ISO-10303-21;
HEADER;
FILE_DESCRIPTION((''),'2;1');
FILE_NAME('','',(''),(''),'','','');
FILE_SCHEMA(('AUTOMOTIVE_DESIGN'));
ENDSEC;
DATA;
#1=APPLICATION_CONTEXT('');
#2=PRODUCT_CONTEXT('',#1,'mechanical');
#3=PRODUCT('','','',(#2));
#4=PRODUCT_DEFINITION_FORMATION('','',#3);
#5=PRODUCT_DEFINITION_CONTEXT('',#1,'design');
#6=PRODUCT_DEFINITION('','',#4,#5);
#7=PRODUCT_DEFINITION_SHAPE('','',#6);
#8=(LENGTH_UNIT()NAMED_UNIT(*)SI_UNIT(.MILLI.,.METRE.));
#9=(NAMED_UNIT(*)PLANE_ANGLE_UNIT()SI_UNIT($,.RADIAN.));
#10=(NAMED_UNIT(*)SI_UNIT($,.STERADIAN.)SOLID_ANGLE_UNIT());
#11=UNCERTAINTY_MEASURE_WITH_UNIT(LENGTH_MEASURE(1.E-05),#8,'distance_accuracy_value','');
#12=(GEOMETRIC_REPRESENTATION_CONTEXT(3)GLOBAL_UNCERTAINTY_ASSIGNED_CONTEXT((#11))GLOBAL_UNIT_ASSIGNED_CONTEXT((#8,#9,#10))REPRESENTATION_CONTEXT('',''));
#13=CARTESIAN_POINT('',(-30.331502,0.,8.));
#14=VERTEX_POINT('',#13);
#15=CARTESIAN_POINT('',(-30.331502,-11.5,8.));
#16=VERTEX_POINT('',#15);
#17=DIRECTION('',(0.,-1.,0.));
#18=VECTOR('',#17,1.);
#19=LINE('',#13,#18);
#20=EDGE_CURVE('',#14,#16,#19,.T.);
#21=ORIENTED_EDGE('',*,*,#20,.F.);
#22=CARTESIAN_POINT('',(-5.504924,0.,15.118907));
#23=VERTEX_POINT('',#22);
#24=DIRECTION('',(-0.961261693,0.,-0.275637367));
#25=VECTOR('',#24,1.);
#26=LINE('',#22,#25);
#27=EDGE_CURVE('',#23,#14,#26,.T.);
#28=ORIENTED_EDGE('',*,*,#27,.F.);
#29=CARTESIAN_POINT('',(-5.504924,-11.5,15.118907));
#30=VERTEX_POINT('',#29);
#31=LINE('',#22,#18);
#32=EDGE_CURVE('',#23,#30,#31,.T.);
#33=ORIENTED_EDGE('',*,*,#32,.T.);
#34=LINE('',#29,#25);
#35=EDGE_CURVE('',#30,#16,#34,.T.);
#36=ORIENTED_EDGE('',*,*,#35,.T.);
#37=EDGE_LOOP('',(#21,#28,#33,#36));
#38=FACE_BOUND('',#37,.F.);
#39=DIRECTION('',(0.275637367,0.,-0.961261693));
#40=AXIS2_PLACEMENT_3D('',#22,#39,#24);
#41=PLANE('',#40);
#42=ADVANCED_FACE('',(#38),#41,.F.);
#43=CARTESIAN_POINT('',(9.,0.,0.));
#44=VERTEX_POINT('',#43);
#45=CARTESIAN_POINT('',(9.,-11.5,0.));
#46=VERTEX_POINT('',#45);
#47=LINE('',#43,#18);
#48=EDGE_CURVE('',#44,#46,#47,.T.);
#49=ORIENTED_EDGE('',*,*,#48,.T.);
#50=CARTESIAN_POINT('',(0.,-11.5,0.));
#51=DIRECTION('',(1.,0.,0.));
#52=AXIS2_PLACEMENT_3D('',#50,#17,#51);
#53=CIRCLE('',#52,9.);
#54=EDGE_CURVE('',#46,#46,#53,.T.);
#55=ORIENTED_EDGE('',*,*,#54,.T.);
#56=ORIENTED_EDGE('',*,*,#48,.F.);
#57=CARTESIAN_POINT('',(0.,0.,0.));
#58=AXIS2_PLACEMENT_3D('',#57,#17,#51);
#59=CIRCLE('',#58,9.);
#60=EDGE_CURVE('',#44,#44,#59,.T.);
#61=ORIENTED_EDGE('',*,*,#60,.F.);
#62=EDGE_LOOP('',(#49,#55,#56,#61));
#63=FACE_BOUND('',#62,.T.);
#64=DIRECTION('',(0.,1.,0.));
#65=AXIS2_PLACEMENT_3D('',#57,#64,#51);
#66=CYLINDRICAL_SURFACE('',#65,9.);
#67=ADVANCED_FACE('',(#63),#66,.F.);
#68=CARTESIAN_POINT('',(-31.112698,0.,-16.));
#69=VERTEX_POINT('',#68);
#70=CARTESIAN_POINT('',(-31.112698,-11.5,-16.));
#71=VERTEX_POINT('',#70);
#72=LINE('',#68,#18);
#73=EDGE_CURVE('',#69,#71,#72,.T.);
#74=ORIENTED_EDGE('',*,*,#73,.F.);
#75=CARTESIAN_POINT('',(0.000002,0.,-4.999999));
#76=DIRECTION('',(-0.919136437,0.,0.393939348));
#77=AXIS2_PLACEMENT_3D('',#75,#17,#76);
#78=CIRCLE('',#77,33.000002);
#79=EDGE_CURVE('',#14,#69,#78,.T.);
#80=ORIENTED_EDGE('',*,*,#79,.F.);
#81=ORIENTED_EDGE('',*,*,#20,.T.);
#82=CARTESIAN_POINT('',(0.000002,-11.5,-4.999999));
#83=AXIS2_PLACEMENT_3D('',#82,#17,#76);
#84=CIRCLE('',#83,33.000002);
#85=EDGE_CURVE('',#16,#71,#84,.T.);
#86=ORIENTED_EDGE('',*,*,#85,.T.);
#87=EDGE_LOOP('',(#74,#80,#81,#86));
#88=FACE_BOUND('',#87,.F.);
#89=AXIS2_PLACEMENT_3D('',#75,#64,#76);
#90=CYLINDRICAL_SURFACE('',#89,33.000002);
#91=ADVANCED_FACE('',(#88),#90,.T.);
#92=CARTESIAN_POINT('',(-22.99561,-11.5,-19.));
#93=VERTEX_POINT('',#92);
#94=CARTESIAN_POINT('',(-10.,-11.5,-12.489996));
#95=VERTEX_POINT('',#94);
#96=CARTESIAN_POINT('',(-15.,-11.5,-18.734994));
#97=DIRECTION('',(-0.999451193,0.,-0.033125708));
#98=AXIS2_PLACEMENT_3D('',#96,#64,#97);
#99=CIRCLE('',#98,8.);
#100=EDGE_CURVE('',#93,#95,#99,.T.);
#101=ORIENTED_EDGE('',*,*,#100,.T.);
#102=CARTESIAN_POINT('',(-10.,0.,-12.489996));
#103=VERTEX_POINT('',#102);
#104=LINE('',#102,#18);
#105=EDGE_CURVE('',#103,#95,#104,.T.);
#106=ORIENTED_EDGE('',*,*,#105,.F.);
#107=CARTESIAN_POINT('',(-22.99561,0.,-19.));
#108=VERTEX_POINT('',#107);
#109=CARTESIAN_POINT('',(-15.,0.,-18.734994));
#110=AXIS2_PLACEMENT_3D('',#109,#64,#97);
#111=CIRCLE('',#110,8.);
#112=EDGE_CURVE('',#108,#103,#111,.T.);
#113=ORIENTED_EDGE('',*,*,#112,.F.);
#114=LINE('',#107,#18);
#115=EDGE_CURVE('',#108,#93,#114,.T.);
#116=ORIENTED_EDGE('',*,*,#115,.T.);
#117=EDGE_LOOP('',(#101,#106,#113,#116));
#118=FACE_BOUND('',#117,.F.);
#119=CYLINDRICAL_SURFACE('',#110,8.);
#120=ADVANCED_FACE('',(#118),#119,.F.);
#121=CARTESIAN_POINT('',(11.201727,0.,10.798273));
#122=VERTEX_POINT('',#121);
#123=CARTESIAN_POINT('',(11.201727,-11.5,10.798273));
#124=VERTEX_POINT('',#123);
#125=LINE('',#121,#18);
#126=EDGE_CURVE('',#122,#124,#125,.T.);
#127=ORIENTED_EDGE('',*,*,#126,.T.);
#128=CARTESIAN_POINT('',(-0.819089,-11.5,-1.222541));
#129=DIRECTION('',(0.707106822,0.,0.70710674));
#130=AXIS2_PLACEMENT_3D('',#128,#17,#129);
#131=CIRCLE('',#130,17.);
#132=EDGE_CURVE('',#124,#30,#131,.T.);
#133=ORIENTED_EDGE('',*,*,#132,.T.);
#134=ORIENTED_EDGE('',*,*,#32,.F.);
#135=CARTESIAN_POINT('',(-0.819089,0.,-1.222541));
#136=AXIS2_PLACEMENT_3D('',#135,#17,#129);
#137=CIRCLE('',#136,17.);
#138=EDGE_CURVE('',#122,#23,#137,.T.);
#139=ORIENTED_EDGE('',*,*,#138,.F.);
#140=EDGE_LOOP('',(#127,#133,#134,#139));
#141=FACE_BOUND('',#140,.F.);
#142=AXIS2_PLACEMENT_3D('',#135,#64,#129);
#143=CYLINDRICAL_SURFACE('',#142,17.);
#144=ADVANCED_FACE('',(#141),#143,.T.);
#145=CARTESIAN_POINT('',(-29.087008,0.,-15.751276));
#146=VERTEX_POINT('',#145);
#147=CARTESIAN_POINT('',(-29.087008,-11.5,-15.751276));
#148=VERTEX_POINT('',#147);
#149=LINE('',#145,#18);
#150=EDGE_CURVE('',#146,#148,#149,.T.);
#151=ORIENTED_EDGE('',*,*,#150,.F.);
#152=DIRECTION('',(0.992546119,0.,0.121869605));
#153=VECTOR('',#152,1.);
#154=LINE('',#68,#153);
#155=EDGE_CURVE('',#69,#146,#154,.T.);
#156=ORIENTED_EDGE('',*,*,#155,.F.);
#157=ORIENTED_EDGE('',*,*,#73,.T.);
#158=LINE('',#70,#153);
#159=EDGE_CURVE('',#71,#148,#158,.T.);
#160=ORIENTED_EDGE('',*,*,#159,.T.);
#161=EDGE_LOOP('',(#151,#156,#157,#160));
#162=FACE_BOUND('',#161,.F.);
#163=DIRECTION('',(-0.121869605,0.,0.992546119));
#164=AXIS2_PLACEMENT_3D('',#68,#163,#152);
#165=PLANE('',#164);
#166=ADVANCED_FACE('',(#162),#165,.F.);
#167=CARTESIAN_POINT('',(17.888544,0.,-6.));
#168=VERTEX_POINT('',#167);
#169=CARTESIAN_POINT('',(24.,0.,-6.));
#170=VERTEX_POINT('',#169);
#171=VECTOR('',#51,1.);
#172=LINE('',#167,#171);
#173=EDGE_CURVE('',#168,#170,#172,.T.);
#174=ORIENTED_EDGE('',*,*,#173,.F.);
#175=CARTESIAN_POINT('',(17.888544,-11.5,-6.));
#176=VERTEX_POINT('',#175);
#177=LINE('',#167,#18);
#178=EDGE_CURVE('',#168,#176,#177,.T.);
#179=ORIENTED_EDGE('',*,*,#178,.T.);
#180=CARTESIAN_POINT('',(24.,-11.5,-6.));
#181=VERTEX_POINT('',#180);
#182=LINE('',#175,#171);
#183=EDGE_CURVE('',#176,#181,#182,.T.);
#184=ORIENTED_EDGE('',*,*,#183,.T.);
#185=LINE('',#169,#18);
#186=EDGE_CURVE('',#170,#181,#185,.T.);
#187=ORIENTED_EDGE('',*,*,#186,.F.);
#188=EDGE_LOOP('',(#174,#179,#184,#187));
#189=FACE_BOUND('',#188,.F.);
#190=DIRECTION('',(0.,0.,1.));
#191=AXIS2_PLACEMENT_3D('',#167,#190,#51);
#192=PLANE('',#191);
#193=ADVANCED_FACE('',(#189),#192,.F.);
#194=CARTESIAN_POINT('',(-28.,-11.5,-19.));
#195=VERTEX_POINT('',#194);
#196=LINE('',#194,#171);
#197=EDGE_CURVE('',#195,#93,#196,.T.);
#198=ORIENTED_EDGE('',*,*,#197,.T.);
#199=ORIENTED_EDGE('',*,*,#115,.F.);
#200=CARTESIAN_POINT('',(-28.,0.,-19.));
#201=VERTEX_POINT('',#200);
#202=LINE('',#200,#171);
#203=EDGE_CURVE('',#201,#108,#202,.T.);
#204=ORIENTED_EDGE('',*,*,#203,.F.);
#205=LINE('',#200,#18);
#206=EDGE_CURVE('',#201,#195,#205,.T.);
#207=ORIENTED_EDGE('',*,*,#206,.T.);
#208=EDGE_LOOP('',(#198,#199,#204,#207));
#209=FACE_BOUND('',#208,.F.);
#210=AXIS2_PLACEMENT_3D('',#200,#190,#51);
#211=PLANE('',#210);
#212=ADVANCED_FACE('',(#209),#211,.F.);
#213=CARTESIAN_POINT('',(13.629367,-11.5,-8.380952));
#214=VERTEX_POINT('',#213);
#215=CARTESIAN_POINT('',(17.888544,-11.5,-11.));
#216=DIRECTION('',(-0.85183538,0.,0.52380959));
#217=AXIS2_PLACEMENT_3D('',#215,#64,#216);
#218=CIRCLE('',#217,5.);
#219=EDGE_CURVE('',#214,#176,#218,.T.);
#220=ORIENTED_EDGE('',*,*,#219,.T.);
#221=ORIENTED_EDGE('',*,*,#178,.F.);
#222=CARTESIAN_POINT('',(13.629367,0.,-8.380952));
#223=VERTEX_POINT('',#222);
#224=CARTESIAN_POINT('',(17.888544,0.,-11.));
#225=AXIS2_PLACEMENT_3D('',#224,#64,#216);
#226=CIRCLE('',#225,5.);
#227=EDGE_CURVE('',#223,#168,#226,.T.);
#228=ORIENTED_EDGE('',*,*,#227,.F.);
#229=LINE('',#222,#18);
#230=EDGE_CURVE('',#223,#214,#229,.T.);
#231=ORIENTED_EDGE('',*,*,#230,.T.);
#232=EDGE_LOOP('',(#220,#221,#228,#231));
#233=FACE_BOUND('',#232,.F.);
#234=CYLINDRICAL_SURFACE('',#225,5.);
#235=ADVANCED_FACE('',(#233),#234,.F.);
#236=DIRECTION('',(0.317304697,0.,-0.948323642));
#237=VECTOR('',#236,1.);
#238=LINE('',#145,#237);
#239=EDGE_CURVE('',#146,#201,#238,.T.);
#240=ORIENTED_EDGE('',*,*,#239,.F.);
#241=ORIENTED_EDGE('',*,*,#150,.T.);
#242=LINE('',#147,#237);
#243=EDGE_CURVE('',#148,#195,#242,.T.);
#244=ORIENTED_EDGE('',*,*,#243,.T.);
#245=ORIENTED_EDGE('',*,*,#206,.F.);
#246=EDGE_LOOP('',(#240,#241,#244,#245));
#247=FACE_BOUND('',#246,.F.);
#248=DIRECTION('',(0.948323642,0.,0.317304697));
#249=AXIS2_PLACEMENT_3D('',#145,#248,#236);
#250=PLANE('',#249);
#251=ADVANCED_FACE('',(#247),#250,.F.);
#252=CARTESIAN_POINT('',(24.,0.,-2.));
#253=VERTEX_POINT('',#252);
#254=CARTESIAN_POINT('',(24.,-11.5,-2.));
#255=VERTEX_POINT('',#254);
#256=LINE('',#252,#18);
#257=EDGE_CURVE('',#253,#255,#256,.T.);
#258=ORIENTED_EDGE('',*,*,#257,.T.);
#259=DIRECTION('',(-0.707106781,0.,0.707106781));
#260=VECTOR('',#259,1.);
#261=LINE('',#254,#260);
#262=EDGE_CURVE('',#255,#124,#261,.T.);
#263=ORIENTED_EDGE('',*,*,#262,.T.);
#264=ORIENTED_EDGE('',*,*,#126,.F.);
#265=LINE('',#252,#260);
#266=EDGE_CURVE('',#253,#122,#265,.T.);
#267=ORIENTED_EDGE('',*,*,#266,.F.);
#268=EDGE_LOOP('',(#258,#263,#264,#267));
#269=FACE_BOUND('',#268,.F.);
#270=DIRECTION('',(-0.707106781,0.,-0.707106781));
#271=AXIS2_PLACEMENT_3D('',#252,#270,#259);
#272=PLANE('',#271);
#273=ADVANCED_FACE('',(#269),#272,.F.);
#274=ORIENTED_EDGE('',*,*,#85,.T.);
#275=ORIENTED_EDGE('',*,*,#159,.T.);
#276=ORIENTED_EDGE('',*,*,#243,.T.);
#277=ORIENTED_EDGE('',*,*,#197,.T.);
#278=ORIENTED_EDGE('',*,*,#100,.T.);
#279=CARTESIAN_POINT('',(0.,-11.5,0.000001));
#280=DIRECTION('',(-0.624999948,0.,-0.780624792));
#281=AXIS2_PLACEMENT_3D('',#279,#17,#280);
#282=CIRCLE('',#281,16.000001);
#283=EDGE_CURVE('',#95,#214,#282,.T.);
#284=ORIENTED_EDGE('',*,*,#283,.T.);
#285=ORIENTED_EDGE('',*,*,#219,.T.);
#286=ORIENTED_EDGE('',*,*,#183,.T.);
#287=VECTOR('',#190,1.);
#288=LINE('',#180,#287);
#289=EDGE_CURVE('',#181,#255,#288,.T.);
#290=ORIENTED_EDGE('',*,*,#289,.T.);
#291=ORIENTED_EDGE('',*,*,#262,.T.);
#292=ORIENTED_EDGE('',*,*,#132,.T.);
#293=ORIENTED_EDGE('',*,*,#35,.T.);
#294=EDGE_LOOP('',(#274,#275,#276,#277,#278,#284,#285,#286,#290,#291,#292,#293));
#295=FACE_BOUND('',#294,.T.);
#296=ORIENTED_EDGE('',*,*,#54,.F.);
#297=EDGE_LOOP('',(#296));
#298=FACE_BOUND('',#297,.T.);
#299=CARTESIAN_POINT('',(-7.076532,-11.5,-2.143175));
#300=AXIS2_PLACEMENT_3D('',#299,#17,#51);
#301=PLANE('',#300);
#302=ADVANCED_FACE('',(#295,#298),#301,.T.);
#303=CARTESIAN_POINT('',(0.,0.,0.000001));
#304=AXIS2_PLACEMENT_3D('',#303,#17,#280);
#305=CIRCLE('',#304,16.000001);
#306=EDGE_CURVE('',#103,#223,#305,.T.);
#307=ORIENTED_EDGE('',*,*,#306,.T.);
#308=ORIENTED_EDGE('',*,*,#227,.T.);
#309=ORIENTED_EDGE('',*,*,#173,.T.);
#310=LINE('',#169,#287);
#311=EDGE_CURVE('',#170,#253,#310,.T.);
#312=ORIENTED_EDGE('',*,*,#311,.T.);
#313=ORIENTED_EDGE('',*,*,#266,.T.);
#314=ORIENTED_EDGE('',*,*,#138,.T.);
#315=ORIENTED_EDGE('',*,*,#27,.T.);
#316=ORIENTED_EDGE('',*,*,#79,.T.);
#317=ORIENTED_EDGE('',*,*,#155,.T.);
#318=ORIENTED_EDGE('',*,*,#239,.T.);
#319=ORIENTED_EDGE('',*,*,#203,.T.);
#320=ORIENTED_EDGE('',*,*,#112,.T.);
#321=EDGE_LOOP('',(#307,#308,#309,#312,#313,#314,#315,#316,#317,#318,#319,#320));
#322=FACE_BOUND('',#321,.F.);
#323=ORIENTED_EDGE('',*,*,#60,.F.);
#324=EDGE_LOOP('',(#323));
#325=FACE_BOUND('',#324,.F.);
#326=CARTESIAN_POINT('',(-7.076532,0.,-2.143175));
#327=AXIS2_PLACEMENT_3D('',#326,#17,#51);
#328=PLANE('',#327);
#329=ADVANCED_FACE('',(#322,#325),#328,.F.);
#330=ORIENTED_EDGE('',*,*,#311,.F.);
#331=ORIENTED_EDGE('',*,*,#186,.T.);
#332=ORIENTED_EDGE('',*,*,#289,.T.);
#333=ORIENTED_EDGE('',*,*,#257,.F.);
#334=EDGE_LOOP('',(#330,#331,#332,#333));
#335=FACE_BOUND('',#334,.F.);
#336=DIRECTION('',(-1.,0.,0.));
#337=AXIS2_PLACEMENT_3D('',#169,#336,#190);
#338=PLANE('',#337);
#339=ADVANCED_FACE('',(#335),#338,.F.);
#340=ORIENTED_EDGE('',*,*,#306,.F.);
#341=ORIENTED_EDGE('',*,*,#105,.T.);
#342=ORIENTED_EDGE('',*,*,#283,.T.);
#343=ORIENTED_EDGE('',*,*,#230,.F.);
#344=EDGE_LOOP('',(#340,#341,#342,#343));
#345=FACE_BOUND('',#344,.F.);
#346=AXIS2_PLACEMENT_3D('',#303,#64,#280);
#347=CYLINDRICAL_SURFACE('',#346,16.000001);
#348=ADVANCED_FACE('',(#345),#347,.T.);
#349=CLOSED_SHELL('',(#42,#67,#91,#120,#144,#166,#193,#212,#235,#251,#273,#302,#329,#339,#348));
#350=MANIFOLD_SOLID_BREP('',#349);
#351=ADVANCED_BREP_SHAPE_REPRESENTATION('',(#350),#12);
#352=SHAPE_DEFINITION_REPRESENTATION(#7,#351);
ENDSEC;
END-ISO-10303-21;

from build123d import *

# Parameters (mm, degrees)
F0_R     = 9
F1_DEPTH = 11.5


with BuildPart() as f1:
    # F0 (on Front) → F1 (new body)
    with BuildSketch(Plane.XZ):
        with BuildLine():
            Line((24, -6), (24, -2))
            Line((24, -2), (11.201727, 10.798273))
            ThreePointArc((11.201727, 10.798273), (3.437372, 15.235968), (-5.504924, 15.118907))
            Line((-5.504924, 15.118907), (-30.331502, 8))
            ThreePointArc((-30.331502, 8), (-32.982532, -3.926423), (-31.112698, -16))
            Line((-31.112698, -16), (-29.087008, -15.751276))
            Line((-29.087008, -15.751276), (-28, -19))
            Line((-28, -19), (-22.99561, -19))
            ThreePointArc((-22.99561, -19), (-18.583079, -11.582264), (-10, -12.489996))
            ThreePointArc((-10, -12.489996), (2.741192, -15.763434), (13.629367, -8.380952))
            ThreePointArc((13.629367, -8.380952), (15.448794, -6.635642), (17.888544, -6))
            Line((17.888544, -6), (24, -6))
        make_face()
        Circle(F0_R, mode=Mode.SUBTRACT)
    extrude(amount=F1_DEPTH)


solid = f1.part
